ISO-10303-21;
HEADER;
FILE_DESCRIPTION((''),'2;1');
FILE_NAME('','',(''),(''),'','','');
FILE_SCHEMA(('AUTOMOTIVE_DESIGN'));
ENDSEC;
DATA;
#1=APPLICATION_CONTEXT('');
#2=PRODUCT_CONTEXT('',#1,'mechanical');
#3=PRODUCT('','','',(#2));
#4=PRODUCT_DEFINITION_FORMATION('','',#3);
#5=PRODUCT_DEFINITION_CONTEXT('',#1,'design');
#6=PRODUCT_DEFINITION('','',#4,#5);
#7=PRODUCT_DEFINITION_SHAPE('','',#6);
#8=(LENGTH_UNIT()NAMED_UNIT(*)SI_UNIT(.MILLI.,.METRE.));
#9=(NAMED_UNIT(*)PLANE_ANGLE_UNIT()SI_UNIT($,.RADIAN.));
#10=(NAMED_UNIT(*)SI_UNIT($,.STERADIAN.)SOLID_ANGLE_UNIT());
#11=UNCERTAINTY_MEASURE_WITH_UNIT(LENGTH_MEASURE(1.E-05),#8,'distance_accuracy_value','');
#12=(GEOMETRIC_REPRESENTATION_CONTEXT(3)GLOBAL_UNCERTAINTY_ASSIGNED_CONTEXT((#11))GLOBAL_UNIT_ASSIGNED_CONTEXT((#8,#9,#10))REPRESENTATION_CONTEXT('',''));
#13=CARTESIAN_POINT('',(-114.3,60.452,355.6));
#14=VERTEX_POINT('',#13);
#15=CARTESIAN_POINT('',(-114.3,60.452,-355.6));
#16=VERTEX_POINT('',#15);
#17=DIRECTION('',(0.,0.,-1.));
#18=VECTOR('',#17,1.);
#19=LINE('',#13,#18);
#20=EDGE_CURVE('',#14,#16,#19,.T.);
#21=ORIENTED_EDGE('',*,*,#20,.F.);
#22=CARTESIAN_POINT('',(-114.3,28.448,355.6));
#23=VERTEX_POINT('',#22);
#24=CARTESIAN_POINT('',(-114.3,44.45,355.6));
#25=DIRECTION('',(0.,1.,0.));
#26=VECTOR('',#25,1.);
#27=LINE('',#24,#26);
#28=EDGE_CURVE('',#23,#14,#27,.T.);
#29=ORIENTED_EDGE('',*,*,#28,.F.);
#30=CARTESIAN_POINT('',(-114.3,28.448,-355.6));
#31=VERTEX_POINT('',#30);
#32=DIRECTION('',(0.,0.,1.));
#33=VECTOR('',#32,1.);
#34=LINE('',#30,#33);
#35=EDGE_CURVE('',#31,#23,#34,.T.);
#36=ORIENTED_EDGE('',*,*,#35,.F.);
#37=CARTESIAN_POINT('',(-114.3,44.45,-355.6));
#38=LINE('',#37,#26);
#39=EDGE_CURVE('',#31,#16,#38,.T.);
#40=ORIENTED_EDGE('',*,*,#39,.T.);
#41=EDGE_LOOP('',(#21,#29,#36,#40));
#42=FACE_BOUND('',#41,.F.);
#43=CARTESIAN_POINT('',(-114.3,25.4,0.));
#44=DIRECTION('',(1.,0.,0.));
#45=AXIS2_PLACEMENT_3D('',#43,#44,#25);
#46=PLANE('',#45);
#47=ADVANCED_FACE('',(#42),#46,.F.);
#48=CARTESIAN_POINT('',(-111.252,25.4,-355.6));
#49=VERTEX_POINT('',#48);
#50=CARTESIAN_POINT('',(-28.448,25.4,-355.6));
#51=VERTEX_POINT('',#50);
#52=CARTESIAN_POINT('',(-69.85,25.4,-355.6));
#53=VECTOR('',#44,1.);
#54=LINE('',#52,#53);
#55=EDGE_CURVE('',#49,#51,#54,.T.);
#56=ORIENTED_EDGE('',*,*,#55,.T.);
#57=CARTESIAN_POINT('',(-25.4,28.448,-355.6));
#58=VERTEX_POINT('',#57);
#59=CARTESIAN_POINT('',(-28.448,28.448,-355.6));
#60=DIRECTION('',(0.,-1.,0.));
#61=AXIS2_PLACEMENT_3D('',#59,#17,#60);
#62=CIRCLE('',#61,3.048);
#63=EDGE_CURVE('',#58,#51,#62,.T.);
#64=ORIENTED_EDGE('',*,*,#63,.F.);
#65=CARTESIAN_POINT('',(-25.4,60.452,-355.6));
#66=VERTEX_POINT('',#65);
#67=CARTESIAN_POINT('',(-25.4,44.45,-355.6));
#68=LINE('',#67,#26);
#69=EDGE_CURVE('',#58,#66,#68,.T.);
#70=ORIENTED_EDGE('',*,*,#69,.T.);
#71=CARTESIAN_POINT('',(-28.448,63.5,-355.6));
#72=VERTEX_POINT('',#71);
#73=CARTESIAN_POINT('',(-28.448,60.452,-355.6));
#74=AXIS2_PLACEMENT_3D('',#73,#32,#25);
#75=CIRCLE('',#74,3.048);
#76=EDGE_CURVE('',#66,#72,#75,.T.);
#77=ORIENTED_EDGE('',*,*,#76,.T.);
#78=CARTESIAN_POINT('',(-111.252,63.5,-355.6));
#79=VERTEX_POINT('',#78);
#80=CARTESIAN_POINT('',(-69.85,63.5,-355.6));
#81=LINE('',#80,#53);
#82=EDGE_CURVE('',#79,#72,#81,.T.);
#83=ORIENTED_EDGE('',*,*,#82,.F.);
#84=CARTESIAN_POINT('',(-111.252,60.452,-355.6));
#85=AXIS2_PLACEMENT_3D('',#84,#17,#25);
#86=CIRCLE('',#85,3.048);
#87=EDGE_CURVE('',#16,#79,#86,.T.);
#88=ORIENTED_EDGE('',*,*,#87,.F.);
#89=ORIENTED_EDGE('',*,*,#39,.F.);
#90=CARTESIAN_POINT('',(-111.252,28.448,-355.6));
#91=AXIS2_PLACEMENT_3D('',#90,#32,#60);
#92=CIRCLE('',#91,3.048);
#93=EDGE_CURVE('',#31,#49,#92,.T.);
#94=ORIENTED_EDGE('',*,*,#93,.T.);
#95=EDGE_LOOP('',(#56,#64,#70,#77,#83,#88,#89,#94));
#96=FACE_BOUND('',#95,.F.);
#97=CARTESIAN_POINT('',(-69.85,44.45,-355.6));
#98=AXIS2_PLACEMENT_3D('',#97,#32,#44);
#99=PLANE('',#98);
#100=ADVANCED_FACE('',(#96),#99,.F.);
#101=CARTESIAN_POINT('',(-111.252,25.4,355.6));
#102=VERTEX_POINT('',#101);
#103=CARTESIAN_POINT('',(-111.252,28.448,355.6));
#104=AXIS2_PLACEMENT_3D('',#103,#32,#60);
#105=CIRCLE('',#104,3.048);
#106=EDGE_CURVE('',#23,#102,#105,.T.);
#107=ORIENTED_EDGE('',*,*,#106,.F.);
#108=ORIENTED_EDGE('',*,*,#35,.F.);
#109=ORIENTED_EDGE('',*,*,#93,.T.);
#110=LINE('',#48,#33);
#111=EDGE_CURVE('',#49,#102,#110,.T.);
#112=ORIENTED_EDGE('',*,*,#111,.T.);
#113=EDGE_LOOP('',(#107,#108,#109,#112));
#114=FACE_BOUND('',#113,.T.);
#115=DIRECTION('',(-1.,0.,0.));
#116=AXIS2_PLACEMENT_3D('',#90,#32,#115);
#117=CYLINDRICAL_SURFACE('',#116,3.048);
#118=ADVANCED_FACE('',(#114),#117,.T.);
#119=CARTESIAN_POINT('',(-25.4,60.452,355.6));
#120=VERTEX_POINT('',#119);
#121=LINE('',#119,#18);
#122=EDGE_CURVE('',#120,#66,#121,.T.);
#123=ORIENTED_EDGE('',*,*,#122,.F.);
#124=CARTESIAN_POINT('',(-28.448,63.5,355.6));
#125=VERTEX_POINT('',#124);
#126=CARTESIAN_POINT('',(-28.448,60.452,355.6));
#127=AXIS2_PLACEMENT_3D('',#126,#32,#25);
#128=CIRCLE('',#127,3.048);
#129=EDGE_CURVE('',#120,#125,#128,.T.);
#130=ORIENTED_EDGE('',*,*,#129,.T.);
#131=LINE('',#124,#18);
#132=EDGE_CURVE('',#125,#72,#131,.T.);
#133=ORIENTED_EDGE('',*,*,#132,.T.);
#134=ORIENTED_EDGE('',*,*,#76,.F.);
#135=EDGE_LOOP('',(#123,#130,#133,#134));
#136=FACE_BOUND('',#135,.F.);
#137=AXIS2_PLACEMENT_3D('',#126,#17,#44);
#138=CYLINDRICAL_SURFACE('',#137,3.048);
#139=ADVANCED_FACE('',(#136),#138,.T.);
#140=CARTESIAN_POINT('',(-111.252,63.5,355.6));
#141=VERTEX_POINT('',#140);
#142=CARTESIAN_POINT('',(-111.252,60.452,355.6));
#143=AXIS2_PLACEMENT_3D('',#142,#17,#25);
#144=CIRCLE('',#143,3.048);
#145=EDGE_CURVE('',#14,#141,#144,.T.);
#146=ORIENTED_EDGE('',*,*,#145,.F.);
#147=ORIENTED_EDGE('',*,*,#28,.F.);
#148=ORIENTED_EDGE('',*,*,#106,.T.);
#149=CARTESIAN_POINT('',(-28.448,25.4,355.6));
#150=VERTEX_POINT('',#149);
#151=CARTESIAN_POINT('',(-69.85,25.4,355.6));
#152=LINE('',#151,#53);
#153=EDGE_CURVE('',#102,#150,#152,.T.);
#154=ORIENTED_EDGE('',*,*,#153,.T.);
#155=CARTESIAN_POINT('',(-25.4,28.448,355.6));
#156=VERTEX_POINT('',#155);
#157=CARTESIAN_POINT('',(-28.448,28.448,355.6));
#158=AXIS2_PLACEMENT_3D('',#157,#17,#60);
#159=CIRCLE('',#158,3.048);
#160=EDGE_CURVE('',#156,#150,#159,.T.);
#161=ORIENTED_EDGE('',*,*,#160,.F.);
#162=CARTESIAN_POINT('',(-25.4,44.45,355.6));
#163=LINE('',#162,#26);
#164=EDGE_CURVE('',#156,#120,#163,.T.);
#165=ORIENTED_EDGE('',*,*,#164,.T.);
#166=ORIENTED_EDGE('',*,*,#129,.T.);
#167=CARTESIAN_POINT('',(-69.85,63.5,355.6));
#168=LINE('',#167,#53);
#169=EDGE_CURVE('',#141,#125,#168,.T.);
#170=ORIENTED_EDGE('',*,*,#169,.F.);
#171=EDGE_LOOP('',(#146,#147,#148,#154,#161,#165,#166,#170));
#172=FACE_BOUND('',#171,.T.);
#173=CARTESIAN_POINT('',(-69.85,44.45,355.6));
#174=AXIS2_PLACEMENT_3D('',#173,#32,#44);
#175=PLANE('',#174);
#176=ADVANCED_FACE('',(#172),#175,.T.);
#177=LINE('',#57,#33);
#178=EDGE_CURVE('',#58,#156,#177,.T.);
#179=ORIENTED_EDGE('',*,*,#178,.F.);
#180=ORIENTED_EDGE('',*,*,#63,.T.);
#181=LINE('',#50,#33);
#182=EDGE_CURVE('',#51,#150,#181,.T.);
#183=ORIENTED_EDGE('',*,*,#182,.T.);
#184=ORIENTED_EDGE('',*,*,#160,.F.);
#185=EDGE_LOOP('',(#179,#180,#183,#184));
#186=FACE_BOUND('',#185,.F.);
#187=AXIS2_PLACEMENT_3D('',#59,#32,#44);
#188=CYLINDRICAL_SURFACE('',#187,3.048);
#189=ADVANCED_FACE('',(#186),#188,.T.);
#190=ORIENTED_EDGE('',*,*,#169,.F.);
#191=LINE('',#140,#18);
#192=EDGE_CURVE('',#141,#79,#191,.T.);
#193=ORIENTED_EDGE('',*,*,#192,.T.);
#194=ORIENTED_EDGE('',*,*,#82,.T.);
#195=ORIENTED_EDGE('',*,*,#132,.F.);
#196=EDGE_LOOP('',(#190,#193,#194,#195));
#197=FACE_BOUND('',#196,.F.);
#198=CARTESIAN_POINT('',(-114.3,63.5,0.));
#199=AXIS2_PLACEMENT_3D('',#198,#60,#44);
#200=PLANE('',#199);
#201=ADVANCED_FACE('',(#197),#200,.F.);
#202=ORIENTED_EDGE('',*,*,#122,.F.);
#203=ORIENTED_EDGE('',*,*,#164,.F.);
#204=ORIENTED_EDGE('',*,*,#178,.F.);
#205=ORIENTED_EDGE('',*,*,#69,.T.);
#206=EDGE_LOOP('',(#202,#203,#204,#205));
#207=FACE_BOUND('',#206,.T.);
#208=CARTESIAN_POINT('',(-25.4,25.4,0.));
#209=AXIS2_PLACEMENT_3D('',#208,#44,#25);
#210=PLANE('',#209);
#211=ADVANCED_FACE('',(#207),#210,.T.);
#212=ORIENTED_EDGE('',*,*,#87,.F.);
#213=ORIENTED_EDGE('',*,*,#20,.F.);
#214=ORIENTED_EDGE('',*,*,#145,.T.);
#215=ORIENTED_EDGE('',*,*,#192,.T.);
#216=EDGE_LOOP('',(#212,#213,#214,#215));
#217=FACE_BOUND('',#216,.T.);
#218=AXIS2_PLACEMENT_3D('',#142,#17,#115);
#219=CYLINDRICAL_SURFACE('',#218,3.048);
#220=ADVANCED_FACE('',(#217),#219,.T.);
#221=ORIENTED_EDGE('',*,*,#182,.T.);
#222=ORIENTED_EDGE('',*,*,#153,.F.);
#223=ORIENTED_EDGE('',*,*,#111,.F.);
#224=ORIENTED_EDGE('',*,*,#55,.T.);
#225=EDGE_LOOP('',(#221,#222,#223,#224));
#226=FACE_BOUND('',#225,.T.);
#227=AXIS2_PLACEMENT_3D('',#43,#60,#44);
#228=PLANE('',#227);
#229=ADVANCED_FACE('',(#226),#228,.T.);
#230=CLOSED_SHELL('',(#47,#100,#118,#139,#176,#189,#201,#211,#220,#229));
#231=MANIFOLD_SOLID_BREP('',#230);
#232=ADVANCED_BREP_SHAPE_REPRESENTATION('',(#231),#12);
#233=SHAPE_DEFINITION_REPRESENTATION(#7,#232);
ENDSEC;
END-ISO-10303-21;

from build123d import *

# Parameters (mm, degrees)
SKETCH_W  = 88.9
SKETCH_H  = 38.1
PAD_DEPTH = 355.6
FILLET_R  = 3.048


with BuildPart() as part:
    # Sketch → Pad (new body, symmetric)
    with BuildSketch(Plane.XY):
        with Locations((-69.85, 44.45)):
            Rectangle(SKETCH_W, SKETCH_H)
    extrude(amount=PAD_DEPTH, both=True)

    # Fillet
    fillet_edges = [part.edges().sort_by_distance(p)[0] for p in [
        (-25.4, 63.5, 0),
        (-114.3, 63.5, 0),
        (-25.4, 25.4, 0),
        (-114.3, 25.4, 0),
    ]]
    fillet(fillet_edges, radius=FILLET_R)


solid = part.part
